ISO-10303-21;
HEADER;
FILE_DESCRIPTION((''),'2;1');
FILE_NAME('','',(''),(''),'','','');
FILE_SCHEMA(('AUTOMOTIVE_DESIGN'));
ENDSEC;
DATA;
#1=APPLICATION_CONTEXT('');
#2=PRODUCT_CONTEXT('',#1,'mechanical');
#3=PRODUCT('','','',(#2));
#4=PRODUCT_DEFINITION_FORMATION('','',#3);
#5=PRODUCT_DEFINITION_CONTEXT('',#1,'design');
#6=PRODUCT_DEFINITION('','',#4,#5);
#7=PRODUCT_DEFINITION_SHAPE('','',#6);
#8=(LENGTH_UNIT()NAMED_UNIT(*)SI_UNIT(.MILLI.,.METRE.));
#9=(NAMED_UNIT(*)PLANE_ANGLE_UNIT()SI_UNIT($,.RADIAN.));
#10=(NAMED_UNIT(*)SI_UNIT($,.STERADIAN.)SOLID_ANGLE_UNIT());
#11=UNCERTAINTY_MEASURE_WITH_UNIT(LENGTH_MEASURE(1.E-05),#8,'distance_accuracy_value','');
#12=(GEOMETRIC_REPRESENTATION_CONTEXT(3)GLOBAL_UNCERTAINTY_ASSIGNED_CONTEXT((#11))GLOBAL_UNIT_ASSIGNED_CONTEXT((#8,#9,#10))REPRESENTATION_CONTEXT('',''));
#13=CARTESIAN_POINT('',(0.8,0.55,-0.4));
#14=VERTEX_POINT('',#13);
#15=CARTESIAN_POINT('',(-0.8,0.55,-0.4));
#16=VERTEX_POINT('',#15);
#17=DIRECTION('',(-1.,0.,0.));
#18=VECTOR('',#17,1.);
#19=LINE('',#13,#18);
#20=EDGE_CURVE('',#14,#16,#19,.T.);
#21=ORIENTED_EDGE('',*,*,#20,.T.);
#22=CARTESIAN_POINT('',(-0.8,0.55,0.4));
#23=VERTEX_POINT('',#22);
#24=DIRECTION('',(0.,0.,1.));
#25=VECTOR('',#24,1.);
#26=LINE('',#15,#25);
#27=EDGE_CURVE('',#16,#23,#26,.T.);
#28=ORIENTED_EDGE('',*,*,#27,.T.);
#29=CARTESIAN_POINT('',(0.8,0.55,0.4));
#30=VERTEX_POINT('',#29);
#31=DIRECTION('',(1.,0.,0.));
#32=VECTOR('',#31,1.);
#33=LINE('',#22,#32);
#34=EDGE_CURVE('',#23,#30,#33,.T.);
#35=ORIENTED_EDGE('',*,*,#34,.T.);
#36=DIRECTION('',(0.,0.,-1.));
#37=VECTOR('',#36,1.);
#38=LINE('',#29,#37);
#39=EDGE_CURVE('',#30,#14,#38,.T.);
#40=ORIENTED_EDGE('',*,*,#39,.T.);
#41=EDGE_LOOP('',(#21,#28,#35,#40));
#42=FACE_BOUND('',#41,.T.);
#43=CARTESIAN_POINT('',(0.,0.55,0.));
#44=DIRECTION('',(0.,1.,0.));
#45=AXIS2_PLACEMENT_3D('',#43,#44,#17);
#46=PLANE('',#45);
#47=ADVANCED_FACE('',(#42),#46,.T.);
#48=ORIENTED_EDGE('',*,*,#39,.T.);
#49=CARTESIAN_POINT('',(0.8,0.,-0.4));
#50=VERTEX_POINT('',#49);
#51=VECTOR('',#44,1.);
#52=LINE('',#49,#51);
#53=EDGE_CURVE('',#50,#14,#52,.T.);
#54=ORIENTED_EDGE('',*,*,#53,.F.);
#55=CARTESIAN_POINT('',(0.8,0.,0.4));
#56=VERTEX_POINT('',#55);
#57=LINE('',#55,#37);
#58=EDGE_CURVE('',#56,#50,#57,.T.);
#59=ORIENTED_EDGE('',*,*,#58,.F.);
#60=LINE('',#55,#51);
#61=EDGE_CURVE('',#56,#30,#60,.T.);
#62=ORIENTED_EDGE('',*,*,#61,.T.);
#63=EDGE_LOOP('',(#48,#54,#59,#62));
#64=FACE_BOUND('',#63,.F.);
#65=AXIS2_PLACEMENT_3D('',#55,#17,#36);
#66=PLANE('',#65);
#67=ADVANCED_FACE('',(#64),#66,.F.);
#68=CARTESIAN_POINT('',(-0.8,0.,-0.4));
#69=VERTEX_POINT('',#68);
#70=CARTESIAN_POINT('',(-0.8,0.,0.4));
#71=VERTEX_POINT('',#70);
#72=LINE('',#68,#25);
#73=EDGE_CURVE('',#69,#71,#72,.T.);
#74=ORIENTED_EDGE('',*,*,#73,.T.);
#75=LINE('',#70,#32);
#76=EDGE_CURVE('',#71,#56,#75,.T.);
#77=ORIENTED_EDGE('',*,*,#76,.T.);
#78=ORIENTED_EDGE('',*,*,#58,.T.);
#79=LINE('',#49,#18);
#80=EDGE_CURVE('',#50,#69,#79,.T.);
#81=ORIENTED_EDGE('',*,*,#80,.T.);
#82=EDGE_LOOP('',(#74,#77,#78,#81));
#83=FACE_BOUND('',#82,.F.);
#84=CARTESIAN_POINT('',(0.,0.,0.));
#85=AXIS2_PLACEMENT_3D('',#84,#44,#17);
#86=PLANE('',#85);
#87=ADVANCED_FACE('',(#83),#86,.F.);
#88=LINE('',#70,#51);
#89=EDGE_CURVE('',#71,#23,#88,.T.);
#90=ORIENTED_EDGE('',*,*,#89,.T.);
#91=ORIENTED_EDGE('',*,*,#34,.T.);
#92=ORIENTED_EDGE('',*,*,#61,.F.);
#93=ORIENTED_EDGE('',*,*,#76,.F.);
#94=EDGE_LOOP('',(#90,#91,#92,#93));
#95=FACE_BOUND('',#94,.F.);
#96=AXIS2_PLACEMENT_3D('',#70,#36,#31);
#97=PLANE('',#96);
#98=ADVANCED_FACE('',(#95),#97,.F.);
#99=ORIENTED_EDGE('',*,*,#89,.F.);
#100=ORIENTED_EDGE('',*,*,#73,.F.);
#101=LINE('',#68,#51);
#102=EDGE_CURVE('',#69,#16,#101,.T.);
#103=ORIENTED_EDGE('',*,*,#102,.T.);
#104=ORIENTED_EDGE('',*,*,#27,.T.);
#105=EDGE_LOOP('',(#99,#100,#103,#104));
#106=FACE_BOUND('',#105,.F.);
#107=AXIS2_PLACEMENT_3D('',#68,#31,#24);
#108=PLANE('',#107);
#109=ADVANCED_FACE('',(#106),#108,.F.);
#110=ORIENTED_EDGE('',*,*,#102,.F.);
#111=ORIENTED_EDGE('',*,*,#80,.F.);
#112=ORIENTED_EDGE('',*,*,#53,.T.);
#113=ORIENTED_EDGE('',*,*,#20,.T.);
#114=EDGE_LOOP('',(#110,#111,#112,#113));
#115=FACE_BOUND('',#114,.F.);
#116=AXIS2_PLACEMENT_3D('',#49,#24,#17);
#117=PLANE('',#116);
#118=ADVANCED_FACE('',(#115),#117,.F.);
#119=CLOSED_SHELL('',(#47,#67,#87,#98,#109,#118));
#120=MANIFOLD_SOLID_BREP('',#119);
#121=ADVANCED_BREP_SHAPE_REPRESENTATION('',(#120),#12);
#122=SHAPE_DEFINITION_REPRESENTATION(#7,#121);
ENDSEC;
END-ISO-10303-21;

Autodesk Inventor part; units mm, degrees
ref_plane "YZ Plane" through (0, 0, 0) normal (1, 0, 0) x (0, 1, 0)
ref_plane "XZ Plane" through (0, 0, 0) normal (0, 1, 0) x (-1, 0, 0)
ref_plane "XY Plane" through (0, 0, 0) normal (0, 0, 1) x (1, 0, 0)
sketch "Sketch1" plane through (0, 0, 0) normal (0, 1, 0) x (-1, 0, 0)
  line L0 (0.8, 0.4) -> (-0.8, 0.4)
  line L1 (-0.8, 0.4) -> (-0.8, -0.4)
  line L2 (-0.8, -0.4) -> (0.8, -0.4)
  line L3 (0.8, -0.4) -> (0.8, 0.4)
  point P0 (0, 0)
  dimension "d0" = 1.6
  dimension "d1" = 0.8
  dimension "d2" = 0.8
  dimension "d3" = 0.4
extrude "Extrusion1" add sketch "Sketch1" along normal blind 0.55
equation "\"d2\" = 0.5 * d0"
equation "\"d3\" = 0.5 * d1"
properties part number "Small light" material "Nylon 6/6"
